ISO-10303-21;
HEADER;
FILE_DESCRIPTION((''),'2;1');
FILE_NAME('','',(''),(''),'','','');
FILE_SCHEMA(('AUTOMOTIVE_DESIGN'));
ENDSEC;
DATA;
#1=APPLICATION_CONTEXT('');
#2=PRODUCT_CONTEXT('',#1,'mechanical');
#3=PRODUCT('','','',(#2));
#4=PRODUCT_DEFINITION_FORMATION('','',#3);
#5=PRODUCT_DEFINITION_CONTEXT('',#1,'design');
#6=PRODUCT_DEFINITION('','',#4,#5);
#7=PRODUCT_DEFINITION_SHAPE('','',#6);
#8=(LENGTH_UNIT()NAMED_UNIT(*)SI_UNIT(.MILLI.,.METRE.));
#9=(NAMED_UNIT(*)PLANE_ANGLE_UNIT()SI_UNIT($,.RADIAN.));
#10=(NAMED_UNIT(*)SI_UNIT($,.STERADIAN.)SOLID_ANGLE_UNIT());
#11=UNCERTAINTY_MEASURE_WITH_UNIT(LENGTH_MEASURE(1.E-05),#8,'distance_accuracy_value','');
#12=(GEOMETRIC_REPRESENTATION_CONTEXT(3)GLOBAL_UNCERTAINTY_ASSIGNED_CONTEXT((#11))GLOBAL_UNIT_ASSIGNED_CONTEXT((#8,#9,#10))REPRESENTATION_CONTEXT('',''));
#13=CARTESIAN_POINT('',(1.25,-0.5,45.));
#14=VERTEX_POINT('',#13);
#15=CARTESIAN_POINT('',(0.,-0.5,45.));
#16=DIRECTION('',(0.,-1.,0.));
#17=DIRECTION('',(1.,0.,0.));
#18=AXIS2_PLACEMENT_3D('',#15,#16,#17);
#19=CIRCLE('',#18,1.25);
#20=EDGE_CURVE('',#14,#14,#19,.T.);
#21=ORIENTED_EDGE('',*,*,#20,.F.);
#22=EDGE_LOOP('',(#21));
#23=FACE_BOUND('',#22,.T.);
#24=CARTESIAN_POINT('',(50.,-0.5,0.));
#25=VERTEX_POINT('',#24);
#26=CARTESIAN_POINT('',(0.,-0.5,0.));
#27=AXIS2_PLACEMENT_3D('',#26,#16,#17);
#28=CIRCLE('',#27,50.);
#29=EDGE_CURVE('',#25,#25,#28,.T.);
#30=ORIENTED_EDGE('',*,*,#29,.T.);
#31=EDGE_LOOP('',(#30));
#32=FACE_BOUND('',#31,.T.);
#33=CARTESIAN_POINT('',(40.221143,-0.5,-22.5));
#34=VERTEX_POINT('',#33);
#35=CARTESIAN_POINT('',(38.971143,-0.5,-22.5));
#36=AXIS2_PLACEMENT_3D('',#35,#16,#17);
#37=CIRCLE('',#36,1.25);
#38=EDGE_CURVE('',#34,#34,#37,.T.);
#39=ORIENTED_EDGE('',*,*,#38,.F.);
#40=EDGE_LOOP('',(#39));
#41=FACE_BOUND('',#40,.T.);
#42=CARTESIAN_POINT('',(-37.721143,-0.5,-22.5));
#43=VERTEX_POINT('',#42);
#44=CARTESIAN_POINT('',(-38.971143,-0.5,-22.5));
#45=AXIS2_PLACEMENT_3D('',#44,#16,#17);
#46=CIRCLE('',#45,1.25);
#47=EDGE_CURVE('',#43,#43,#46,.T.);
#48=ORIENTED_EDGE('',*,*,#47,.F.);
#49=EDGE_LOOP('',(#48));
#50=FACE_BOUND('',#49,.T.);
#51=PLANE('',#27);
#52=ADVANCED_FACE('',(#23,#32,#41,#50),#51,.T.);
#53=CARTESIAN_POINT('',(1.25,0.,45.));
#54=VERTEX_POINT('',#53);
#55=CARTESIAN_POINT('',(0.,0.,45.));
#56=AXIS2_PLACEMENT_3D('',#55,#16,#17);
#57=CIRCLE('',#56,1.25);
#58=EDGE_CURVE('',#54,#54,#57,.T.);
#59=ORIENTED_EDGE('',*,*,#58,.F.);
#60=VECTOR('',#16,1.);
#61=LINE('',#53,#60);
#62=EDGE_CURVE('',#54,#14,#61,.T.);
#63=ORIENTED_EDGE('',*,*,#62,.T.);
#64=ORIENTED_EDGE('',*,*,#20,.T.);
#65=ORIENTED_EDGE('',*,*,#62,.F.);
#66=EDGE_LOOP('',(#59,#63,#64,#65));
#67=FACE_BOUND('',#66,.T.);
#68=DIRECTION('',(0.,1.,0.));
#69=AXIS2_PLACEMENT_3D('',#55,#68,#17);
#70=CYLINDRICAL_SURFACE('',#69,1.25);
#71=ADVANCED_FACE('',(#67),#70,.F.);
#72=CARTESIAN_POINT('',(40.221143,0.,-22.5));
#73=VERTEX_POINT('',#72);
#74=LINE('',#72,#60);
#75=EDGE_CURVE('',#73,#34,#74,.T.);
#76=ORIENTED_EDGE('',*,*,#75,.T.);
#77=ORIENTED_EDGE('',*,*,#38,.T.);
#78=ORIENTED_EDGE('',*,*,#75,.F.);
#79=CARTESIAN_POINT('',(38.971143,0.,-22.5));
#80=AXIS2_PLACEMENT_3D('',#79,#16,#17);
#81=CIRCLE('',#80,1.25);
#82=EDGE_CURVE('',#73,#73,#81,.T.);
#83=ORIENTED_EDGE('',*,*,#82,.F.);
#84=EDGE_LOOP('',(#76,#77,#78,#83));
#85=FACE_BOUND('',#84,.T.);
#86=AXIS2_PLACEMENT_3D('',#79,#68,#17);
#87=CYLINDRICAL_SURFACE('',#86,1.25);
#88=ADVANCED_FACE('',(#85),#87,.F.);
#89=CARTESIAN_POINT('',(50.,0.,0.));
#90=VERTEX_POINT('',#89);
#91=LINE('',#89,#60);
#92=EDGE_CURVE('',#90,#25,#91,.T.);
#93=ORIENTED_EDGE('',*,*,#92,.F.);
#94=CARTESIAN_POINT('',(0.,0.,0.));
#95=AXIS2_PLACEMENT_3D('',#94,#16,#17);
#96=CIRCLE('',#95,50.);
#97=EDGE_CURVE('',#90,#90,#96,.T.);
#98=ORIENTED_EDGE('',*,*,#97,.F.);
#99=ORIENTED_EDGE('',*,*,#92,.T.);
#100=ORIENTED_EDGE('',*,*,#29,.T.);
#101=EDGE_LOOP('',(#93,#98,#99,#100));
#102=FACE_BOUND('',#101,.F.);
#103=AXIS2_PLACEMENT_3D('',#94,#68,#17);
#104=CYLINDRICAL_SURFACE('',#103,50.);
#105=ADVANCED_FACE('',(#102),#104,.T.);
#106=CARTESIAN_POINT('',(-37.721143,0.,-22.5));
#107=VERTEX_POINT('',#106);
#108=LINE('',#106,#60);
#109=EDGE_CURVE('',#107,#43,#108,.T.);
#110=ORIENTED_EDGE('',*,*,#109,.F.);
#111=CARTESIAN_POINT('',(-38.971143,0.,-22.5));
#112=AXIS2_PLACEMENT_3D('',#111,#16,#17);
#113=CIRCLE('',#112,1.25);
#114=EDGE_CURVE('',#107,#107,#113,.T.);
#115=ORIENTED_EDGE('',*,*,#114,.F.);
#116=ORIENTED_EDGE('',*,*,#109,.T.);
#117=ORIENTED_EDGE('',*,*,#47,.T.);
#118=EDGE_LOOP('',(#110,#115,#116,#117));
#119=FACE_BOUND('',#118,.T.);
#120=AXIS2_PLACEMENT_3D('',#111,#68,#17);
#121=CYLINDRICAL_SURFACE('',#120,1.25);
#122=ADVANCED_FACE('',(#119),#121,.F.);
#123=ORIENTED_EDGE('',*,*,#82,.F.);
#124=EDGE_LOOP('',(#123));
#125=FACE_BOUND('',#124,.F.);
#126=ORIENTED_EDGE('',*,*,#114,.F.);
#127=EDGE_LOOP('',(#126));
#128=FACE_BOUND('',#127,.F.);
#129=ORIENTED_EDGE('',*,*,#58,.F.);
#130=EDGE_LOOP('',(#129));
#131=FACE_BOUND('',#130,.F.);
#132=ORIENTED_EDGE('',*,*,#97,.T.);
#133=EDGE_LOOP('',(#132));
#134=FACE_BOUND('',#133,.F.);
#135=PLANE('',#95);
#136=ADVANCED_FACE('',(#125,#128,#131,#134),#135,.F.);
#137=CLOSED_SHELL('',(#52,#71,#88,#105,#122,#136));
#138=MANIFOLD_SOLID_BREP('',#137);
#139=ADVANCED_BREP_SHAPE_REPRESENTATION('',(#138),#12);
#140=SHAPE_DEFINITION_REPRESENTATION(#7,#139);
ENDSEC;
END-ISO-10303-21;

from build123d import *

# Parameters (mm, degrees)
F0_R     = 50
F0_R_2   = 1.25
F1_DEPTH = 0.5


with BuildPart() as f1:
    # F0 (on Front) → F1 (new body)
    with BuildSketch(Plane.XZ):
        Circle(F0_R)
        with Locations((-38.971143, -22.5)):
            Circle(F0_R_2, mode=Mode.SUBTRACT)
        with Locations((38.971143, -22.5)):
            Circle(F0_R_2, mode=Mode.SUBTRACT)
        with Locations((0, 45)):
            Circle(F0_R_2, mode=Mode.SUBTRACT)
    extrude(amount=F1_DEPTH)


solid = f1.part
